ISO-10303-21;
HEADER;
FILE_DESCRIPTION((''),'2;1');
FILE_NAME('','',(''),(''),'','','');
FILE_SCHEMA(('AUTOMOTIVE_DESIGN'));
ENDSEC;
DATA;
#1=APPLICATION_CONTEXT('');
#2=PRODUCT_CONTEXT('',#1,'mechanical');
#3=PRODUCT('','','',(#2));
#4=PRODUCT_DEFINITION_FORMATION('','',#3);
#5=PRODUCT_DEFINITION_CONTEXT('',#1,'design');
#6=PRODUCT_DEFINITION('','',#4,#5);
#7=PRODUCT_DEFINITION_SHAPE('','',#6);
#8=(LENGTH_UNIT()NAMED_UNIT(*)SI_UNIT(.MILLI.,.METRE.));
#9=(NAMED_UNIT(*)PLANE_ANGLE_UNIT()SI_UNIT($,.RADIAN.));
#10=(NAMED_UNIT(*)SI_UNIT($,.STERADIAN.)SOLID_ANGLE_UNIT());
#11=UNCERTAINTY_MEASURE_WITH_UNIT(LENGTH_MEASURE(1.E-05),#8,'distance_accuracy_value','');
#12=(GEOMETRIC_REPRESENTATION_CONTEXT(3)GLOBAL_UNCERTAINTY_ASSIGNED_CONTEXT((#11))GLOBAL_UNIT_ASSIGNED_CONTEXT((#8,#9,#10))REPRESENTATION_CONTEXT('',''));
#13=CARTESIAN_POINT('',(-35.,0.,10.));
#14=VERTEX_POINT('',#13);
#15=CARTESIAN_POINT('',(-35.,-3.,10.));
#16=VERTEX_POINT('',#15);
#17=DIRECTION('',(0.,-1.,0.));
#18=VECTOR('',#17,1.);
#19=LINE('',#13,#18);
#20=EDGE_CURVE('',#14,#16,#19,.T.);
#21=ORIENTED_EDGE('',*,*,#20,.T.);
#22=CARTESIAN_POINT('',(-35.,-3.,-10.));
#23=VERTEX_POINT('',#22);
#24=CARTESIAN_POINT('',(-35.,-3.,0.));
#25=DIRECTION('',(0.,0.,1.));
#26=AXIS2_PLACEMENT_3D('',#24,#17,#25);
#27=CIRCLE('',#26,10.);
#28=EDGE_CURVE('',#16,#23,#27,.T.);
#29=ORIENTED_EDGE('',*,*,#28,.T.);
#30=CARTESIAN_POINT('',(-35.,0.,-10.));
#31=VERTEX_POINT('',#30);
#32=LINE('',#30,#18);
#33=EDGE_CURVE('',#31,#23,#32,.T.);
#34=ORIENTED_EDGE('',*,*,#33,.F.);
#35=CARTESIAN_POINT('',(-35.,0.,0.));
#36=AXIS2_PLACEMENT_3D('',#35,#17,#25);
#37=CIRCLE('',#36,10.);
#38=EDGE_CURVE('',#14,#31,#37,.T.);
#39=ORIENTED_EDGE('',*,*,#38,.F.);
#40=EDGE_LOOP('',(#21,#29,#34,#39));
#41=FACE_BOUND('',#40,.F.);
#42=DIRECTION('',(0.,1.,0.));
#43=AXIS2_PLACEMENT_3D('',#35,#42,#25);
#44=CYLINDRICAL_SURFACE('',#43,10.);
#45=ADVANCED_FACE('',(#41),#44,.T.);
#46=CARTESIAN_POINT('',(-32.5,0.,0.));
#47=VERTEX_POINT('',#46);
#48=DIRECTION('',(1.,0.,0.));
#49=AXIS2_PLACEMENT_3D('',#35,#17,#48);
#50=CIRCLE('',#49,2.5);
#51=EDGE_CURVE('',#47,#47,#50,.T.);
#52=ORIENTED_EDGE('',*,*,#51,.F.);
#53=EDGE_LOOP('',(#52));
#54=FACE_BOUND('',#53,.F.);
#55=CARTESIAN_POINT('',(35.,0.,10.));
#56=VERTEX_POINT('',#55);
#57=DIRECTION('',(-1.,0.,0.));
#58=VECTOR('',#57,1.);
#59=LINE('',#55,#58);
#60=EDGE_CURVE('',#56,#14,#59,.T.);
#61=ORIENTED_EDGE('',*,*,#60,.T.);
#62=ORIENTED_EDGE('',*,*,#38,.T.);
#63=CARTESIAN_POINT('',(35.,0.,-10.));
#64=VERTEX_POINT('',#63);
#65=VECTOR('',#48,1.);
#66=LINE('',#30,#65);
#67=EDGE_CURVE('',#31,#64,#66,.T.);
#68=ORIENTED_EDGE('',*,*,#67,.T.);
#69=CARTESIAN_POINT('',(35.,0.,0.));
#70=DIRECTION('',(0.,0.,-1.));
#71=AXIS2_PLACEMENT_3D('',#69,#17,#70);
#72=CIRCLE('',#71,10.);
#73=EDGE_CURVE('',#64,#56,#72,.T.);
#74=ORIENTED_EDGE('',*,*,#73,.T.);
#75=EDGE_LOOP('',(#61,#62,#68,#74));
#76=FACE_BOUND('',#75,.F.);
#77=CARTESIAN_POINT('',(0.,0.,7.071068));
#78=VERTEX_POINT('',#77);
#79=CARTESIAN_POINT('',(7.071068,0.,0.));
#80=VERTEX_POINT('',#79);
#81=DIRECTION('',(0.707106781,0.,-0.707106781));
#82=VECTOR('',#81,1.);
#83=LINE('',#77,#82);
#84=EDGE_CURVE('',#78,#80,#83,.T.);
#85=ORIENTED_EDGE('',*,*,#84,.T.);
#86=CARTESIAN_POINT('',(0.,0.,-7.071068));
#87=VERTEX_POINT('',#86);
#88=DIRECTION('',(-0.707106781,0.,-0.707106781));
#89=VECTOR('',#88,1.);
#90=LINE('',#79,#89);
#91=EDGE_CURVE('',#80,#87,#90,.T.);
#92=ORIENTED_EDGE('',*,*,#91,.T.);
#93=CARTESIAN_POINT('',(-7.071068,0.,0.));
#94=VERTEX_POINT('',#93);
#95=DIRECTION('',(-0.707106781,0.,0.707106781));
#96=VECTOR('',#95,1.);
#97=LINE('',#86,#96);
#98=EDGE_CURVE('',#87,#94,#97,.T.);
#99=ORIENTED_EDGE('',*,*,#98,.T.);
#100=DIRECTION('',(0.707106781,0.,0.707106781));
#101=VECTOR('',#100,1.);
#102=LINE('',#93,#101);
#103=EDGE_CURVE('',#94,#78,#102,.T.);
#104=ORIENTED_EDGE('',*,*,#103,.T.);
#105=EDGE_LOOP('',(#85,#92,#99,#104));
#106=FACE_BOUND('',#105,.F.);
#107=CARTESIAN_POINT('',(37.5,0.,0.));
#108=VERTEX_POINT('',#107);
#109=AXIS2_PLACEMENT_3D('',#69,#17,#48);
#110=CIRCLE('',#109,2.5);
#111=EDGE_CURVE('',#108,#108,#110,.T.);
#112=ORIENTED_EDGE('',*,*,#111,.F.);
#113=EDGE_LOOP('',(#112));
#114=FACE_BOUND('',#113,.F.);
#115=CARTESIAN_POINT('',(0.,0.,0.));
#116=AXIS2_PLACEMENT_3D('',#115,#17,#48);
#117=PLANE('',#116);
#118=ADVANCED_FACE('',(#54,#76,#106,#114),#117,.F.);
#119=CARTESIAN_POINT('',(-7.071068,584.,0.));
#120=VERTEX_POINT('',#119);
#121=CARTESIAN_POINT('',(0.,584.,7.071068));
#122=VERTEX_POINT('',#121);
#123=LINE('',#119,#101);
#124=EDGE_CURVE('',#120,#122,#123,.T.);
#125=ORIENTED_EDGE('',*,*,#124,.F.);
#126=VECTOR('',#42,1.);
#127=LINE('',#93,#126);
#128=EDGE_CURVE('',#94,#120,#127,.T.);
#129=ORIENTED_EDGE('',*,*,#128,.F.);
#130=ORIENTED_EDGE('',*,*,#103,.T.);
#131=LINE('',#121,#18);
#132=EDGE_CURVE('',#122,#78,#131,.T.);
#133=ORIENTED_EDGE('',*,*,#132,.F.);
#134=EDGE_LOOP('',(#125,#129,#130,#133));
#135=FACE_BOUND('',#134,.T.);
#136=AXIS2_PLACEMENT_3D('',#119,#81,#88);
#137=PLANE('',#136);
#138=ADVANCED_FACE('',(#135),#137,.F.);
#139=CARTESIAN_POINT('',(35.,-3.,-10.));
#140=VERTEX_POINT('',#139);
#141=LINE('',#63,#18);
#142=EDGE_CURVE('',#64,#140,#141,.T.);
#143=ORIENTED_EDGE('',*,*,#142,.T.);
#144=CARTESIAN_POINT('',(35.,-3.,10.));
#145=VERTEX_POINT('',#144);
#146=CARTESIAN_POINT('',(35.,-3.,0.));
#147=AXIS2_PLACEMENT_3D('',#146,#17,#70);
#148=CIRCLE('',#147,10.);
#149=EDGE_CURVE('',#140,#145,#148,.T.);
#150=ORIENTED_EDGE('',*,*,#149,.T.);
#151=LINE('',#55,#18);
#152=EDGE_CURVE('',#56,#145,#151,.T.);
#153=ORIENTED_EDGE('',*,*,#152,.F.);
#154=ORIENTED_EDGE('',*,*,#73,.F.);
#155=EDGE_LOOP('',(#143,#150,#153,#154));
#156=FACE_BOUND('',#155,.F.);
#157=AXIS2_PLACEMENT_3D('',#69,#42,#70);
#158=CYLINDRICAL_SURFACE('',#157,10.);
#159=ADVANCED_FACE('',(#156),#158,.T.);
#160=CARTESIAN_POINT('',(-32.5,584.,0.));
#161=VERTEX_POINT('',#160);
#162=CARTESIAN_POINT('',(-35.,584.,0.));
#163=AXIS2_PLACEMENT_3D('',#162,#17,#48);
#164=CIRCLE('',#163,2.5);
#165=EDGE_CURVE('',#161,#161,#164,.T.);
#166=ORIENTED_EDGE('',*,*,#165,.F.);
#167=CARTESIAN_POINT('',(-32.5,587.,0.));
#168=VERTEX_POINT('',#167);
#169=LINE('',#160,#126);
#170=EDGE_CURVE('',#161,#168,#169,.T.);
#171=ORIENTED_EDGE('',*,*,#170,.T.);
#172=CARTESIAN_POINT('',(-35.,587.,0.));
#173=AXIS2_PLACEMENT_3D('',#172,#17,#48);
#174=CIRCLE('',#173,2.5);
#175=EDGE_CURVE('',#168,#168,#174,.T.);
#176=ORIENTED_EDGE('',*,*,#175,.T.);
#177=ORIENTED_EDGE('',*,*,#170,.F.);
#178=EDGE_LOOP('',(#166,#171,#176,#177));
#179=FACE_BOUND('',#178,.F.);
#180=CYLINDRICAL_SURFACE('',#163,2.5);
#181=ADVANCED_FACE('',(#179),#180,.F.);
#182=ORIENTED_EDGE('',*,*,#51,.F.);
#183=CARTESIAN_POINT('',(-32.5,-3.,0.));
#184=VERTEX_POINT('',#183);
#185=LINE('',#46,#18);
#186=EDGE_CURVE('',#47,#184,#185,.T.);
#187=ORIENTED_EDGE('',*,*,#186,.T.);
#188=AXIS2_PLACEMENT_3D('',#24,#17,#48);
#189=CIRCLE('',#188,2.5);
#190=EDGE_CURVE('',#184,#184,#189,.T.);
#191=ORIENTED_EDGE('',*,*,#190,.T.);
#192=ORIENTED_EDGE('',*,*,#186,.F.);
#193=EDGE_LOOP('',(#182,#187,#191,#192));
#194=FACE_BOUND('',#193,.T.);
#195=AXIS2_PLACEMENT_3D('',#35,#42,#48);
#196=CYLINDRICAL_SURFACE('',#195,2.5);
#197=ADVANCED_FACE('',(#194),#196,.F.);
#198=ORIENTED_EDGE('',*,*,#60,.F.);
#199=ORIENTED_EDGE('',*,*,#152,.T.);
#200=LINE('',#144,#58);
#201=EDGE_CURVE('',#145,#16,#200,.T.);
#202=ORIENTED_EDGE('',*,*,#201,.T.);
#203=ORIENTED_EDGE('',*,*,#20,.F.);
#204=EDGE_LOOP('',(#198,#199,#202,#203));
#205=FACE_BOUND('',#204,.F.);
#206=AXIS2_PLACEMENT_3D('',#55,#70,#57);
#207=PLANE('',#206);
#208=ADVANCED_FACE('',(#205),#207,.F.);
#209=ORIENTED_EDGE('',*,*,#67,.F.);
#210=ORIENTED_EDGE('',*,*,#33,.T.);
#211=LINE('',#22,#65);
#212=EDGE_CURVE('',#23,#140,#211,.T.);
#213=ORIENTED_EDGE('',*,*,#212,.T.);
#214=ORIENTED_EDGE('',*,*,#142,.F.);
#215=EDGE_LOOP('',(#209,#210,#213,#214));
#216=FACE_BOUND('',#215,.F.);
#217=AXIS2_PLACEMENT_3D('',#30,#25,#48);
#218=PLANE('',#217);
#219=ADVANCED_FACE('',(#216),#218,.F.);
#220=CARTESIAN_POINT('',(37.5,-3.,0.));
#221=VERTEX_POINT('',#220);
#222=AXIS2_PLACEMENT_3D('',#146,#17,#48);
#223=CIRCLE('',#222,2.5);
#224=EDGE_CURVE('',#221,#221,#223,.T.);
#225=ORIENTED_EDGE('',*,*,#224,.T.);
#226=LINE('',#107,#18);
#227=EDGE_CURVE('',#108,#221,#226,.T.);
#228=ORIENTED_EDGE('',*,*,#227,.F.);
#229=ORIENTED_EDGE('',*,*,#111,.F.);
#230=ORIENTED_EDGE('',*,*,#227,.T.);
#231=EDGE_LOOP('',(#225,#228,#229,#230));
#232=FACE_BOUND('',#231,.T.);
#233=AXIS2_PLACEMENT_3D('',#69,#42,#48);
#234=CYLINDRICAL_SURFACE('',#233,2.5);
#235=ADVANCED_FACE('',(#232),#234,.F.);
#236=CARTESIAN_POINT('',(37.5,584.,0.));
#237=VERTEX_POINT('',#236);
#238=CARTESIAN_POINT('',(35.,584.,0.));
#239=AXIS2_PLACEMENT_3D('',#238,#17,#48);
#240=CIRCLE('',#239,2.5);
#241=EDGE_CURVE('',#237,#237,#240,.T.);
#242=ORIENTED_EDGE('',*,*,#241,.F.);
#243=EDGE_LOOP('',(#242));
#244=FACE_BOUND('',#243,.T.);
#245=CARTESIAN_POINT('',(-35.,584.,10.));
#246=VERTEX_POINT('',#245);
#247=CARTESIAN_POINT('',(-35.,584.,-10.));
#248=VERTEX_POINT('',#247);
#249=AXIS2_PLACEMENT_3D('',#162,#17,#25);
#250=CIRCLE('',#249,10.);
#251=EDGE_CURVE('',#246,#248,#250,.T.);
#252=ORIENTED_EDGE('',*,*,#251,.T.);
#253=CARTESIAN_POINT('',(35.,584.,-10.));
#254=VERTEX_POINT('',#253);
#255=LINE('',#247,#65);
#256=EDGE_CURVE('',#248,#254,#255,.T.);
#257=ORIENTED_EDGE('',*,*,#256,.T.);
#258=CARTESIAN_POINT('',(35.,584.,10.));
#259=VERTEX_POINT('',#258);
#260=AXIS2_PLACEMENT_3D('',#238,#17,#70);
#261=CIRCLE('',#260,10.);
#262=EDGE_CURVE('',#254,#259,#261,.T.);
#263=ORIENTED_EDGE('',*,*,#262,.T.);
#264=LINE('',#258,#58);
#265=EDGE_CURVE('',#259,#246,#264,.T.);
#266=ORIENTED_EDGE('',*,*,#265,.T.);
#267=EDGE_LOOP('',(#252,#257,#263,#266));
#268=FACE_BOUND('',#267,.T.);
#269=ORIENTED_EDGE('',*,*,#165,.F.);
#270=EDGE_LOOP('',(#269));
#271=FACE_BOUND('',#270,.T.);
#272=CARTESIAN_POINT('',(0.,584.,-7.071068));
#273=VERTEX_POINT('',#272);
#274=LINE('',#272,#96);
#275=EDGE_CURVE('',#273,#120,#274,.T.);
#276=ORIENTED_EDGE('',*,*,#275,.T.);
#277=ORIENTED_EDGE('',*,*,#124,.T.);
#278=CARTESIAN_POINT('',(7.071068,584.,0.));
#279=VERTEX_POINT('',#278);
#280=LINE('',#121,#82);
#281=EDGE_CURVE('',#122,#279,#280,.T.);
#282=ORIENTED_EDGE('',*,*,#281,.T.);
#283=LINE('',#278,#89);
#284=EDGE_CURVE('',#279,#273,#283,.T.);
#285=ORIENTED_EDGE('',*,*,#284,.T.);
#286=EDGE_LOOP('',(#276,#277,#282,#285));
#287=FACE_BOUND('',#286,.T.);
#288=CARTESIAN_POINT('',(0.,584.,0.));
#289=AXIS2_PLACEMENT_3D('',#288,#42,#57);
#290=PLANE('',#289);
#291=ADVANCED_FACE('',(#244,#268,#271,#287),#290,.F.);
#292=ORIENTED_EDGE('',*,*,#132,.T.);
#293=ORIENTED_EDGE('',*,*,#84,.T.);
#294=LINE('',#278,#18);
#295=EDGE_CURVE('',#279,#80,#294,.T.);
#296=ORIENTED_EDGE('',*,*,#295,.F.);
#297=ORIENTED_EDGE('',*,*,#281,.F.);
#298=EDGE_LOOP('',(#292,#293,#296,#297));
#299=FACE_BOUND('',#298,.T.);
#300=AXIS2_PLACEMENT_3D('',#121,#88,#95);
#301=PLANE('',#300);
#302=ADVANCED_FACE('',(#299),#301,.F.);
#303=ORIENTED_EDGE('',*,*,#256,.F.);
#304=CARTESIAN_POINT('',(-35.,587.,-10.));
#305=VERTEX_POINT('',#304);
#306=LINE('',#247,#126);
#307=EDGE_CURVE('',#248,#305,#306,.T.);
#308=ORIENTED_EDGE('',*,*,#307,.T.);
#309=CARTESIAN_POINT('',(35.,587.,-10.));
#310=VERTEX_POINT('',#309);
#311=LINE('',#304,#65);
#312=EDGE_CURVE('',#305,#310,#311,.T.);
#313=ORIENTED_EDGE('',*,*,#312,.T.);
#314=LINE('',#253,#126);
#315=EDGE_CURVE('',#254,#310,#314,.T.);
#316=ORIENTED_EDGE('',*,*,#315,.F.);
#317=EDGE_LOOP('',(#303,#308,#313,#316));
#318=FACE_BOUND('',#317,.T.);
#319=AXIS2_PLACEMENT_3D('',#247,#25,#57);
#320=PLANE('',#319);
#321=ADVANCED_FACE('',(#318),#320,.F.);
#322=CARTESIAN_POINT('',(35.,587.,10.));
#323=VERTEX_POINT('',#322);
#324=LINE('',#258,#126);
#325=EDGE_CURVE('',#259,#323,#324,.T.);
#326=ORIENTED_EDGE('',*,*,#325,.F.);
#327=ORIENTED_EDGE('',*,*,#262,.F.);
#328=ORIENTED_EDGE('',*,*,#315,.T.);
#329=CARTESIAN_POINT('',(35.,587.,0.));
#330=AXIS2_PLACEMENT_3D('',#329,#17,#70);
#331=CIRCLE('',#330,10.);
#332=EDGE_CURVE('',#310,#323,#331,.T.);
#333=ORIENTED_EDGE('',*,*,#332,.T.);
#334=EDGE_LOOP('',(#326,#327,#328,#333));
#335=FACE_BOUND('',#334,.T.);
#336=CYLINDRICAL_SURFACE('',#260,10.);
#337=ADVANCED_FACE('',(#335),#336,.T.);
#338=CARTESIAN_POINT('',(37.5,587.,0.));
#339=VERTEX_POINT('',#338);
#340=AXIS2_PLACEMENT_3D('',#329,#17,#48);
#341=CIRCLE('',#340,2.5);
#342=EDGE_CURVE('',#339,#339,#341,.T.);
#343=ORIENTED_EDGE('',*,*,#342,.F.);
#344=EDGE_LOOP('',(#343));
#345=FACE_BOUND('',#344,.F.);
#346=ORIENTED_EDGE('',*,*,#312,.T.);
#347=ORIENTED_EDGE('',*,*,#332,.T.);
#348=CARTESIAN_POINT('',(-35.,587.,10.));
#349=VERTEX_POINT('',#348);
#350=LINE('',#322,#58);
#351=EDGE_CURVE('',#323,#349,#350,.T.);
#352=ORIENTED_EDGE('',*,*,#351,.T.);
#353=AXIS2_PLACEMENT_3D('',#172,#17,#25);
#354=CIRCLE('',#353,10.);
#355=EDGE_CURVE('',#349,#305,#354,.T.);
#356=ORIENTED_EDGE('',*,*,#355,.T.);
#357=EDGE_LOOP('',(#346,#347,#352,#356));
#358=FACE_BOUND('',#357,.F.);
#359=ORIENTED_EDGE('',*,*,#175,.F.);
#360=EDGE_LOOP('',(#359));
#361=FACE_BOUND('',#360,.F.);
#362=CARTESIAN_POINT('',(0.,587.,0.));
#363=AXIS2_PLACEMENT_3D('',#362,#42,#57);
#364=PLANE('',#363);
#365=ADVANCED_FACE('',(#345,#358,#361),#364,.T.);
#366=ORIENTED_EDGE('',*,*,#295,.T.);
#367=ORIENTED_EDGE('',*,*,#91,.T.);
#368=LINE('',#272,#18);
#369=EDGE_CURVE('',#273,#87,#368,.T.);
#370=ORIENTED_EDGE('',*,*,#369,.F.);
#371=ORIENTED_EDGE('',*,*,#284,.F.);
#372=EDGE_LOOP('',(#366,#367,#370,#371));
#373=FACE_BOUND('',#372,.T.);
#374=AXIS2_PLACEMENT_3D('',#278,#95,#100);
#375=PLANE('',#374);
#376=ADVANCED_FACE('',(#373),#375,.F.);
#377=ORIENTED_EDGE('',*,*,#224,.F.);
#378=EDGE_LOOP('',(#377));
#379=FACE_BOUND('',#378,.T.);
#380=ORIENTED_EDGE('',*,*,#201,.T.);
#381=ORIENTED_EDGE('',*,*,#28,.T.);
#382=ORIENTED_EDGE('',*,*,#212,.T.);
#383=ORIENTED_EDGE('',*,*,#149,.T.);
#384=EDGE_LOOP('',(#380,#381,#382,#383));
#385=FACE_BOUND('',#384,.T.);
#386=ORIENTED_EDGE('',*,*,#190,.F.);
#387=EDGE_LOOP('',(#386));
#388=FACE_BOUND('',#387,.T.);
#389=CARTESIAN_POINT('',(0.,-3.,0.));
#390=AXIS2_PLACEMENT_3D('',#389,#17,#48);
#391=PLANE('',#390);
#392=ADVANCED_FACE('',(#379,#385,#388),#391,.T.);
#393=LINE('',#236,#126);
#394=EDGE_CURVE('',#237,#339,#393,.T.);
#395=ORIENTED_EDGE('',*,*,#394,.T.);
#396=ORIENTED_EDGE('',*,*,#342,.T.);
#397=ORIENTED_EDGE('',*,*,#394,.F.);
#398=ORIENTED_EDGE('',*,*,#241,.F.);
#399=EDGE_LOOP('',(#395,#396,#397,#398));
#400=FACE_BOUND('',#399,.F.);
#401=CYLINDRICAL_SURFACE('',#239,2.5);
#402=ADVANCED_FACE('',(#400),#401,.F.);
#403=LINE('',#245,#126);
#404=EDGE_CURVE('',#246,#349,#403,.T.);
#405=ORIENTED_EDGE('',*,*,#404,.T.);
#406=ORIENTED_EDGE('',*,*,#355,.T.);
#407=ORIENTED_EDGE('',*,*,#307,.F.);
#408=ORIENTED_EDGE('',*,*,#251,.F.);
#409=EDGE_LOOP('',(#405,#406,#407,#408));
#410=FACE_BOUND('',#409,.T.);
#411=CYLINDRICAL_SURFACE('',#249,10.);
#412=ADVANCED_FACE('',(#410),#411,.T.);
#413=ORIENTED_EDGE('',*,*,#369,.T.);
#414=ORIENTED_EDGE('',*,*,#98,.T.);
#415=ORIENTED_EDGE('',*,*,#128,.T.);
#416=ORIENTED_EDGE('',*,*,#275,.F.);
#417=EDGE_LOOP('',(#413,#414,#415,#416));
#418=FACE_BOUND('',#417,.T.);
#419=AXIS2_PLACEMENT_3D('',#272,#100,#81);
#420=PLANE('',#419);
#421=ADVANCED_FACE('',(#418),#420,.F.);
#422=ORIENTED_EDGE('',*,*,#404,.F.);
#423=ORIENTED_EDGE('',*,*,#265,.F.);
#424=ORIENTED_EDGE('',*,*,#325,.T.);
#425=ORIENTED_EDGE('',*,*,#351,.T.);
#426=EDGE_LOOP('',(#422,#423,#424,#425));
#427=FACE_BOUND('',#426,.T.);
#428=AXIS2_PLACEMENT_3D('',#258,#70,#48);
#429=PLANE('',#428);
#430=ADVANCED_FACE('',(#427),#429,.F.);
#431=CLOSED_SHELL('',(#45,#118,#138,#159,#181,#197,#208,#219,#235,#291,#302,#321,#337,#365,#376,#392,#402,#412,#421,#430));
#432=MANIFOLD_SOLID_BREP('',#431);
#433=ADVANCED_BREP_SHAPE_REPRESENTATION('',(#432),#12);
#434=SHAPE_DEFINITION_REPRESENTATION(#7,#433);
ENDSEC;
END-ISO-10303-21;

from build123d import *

# Parameters (mm, degrees)
F1_R     = 2.5
F2_DEPTH = 3
F4_DEPTH = 292


with BuildPart() as f2:
    # F1 (on Front) → F2 (new body)
    with BuildSketch(Plane.XZ):
        with BuildLine():
            ThreePointArc((35, -10), (45, 0), (35, 10))
            Line((35, 10), (0, 10))
            Line((0, 10), (-35, 10))
            ThreePointArc((-35, 10), (-45, 0), (-35, -10))
            Line((-35, -10), (0, -10))
            Line((0, -10), (35, -10))
        make_face()
        with Locations((-35, 0)):
            Circle(F1_R, mode=Mode.SUBTRACT)
        with Locations((35, 0)):
            Circle(F1_R, mode=Mode.SUBTRACT)
    extrude(amount=F2_DEPTH)

    # F3 (on face) → F4 (join, through all)
    with BuildSketch(Plane(origin=(0, 0, 0), x_dir=(-1, 0, 0), z_dir=(0, 1, 0))):
        Polygon((7.071068, 0), (0, 7.071068), (-7.071068, 0), (0, -7.071068), align=None)
    extrude(amount=F4_DEPTH)

    # F5: F2 across plane


with BuildPart() as f2_1:
    add(f2.part)
    add(f2.part.mirror(Plane.XZ.offset(-292)))


solid = f2_1.part
